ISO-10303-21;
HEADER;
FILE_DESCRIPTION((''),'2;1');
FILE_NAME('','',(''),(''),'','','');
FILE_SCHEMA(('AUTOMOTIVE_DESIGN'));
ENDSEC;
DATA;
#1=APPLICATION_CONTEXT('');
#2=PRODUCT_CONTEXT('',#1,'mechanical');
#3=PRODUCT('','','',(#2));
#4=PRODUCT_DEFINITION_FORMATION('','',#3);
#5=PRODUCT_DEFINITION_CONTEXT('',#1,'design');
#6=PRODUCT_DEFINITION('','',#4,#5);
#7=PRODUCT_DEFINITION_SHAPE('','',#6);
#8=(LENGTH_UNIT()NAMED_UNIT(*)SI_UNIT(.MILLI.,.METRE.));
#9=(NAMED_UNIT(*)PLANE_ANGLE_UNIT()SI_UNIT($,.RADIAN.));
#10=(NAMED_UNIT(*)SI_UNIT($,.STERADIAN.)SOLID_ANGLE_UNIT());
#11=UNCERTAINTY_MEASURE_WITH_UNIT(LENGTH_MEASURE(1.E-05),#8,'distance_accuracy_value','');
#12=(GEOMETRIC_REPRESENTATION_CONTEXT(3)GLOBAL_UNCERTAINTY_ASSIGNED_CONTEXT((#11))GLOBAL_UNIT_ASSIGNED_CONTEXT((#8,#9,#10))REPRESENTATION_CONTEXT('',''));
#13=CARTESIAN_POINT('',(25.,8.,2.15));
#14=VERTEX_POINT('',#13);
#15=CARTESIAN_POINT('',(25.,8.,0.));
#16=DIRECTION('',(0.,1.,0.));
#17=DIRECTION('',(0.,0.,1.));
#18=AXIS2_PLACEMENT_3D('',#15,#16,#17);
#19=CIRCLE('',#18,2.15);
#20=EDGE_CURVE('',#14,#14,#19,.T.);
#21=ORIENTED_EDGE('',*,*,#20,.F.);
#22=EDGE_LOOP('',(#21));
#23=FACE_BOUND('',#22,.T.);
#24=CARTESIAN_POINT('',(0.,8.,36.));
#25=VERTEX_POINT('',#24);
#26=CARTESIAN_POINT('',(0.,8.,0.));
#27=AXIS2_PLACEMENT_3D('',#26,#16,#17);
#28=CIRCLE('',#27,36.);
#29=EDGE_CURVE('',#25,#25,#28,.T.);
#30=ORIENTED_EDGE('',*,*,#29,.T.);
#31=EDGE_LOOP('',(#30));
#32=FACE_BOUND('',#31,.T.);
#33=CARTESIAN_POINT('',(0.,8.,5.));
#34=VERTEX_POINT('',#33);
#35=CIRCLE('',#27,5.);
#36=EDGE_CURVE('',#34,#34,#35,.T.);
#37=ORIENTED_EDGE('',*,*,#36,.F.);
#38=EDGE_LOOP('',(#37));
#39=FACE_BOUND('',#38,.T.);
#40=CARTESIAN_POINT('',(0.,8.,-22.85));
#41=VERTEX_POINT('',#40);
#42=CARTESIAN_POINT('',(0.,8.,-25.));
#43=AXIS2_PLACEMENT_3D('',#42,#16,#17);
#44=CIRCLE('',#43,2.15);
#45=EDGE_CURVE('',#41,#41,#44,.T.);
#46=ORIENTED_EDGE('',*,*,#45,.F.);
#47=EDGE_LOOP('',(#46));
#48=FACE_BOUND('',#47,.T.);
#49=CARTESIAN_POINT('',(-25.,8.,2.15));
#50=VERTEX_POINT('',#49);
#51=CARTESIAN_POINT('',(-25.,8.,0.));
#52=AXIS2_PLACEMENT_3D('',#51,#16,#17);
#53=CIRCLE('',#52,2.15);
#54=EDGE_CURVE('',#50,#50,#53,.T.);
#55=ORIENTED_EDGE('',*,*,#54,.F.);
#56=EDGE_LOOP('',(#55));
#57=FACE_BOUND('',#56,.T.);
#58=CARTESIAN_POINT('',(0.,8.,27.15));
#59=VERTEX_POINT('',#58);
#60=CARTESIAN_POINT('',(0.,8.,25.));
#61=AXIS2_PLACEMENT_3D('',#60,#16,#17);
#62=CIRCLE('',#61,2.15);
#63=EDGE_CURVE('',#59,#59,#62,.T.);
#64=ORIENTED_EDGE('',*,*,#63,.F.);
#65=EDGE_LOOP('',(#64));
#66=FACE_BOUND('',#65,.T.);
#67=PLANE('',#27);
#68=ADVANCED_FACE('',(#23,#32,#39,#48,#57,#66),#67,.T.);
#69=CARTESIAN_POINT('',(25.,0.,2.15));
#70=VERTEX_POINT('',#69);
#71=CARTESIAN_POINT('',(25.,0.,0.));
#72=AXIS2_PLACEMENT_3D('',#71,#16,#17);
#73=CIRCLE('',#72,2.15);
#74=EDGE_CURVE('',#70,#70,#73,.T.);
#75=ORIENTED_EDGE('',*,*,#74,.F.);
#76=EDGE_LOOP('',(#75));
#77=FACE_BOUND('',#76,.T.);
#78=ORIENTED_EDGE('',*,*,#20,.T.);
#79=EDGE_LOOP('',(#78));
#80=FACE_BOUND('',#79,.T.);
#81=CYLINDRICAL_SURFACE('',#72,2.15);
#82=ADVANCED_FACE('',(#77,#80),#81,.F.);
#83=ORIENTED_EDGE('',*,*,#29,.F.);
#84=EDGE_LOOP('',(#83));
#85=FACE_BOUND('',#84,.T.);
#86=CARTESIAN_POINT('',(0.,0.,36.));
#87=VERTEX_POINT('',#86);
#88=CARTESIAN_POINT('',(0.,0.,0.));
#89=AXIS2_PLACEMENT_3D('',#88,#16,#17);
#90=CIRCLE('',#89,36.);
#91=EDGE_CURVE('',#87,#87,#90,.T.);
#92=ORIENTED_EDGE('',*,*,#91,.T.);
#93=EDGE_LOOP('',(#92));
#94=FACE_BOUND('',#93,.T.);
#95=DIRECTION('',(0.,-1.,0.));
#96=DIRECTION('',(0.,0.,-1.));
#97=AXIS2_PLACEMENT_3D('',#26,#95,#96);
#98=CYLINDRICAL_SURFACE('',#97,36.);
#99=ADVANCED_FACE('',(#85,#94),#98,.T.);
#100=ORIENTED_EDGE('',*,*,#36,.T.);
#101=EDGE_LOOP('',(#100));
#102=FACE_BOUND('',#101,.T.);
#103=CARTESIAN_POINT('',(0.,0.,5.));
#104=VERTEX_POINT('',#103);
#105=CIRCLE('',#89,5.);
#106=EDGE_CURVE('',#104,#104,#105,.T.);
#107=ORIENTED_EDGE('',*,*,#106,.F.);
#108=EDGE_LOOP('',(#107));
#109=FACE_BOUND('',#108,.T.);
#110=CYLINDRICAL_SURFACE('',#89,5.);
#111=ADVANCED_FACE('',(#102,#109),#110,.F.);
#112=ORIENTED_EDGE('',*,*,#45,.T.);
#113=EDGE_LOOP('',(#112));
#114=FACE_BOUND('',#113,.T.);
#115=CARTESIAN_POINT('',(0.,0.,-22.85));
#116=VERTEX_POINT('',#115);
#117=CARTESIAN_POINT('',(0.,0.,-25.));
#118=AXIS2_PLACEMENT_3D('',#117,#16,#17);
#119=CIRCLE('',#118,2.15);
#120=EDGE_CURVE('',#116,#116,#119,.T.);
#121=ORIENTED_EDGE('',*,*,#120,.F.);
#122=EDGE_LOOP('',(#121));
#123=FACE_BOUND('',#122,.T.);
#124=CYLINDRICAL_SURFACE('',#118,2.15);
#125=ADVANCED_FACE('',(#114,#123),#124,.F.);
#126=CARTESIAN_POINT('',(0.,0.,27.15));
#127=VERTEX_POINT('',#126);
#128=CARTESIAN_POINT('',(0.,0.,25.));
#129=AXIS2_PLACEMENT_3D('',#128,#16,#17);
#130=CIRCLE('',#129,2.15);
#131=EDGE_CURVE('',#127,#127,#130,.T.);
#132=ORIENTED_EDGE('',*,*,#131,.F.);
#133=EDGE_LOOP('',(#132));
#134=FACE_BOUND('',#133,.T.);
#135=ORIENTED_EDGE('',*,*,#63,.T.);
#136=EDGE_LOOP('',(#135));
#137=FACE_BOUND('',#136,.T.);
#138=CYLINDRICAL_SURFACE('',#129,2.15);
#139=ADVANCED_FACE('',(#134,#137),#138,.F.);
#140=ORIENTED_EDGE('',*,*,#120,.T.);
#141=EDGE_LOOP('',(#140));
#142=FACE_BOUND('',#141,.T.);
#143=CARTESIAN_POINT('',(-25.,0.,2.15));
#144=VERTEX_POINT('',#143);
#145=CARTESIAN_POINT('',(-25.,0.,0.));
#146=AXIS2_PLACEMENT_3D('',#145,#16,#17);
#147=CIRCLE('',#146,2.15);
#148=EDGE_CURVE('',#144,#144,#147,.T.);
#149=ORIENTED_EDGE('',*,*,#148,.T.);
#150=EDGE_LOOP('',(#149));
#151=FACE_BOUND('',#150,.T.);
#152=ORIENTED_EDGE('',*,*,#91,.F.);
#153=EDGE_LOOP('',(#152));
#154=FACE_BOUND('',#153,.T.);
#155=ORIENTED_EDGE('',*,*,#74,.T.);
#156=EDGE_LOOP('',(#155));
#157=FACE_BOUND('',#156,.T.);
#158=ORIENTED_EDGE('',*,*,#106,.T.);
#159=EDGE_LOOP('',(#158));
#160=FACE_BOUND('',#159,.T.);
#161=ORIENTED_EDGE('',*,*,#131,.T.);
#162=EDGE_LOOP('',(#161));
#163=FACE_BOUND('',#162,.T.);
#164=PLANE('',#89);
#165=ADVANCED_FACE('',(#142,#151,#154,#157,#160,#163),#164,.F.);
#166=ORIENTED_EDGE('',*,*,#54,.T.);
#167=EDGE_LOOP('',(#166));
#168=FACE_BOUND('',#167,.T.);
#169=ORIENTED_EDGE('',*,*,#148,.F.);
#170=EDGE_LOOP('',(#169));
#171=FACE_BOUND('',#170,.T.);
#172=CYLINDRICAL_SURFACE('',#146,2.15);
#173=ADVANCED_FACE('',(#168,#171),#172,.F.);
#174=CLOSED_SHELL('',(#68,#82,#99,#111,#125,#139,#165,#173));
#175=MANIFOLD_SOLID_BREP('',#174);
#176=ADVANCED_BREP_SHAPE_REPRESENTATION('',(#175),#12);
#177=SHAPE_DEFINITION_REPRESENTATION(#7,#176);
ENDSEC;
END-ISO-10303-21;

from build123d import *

# Parameters (mm, degrees)
SKETCH_1_R          = 36
EXTRUDE_1_DEPTH     = 8
SKETCH_2_R          = 2.15
SKETCH_2_R_2        = 5
CUT_EXTRUDE_1_DEPTH = 8


with BuildPart() as part:
    # 草图1 → 凸台-拉伸1 (new body)
    with BuildSketch(Plane(origin=(0, 0, 0), x_dir=(1, 0, 0), z_dir=(0, 1, 0))):
        with Locations(Location((0, 0, 0), (0, 0, 270))):
            Circle(SKETCH_1_R)
    extrude(amount=EXTRUDE_1_DEPTH)

    # 草图2 → 切除-拉伸1 (cut)
    with BuildSketch(Plane(origin=(0, 8, 0), x_dir=(1, 0, 0), z_dir=(0, 1, 0))):
        with Locations(Location((0, 25, 0), (0, 0, 270))):
            Circle(SKETCH_2_R)
        with Locations(Location((25, 0, 0), (0, 0, 270))):
            Circle(SKETCH_2_R)
        with Locations(Location((0, -25, 0), (0, 0, 270))):
            Circle(SKETCH_2_R)
        with Locations(Location((-25, 0, 0), (0, 0, 270))):
            Circle(SKETCH_2_R)
        with Locations(Location((0, 0, 0), (0, 0, 270))):
            Circle(SKETCH_2_R_2)
    extrude(amount=-CUT_EXTRUDE_1_DEPTH, mode=Mode.SUBTRACT)


solid = part.part
